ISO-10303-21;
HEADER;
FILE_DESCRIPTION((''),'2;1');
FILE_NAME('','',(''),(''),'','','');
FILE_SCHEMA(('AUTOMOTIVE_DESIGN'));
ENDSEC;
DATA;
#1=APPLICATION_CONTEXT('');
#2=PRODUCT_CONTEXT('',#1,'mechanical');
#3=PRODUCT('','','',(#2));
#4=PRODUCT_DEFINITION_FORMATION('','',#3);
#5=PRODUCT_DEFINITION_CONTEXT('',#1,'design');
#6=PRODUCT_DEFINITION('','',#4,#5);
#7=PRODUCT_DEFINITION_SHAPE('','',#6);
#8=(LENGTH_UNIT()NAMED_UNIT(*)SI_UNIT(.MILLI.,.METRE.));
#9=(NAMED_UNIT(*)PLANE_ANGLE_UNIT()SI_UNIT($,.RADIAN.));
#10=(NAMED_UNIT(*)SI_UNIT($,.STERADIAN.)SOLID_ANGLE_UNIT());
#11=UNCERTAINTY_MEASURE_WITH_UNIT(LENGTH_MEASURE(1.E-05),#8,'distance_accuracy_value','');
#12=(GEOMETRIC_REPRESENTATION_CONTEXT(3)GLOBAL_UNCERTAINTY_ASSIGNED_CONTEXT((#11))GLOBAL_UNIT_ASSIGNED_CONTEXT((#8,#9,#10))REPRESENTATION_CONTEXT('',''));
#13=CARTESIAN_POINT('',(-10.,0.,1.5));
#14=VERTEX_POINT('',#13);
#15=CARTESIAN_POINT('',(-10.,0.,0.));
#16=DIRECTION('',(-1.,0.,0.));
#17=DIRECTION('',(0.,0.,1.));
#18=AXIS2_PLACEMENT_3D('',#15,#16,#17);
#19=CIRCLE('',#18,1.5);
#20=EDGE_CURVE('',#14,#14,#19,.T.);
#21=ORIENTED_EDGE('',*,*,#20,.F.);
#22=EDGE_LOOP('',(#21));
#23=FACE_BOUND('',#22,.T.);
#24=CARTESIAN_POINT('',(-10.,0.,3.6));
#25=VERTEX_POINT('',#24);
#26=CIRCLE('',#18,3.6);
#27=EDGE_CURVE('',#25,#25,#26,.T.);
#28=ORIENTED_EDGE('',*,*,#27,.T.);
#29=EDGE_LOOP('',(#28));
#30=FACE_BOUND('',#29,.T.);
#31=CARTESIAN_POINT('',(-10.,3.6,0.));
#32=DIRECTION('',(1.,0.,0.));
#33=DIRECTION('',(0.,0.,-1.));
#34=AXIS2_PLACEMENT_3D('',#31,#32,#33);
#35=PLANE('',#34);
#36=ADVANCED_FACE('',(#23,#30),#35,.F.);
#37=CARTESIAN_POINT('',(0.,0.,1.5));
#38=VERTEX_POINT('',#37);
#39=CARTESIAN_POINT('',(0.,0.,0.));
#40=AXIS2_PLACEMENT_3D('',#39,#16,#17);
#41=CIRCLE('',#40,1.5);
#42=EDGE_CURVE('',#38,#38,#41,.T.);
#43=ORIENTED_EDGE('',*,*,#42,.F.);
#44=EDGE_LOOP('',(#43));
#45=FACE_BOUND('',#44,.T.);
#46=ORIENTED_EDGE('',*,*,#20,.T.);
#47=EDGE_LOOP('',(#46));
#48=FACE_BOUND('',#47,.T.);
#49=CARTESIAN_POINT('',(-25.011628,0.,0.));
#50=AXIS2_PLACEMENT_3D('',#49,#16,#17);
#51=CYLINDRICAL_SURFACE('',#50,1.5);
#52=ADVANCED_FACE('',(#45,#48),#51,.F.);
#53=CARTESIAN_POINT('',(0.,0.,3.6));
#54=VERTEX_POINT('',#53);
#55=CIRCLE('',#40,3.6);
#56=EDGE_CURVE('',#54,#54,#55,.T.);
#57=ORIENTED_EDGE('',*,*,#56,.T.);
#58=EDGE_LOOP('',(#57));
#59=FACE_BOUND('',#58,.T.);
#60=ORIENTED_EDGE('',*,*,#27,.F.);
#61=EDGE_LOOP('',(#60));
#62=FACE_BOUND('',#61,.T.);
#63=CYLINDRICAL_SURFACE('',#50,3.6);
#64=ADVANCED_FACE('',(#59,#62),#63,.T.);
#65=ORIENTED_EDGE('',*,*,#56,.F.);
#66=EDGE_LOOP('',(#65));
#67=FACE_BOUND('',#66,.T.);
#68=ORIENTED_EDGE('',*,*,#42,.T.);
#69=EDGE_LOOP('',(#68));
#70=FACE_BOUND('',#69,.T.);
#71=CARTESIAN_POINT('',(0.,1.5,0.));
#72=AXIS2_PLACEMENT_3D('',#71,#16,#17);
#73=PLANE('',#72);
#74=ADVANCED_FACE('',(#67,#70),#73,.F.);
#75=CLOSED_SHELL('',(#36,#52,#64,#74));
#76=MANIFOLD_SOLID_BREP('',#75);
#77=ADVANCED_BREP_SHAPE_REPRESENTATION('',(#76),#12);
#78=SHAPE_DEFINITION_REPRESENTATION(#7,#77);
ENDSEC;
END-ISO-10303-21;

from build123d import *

# Parameters (mm, degrees)
SKETCH_1_W = 10
SKETCH_1_H = 2.1


with BuildPart() as part:
    # 草图1 → 旋转1 (revolve)
    with BuildSketch(Plane.XY, mode=Mode.PRIVATE) as revolve_1_sk:
        with Locations((-5, 2.55)):
            Rectangle(SKETCH_1_W, SKETCH_1_H)
    revolve(revolve_1_sk.sketch.rotate(Axis((-25.011627907, 0, 0), (1, 0, 0)), 90), axis=Axis((-25.011627907, 0, 0), (1, 0, 0)))


solid = part.part
